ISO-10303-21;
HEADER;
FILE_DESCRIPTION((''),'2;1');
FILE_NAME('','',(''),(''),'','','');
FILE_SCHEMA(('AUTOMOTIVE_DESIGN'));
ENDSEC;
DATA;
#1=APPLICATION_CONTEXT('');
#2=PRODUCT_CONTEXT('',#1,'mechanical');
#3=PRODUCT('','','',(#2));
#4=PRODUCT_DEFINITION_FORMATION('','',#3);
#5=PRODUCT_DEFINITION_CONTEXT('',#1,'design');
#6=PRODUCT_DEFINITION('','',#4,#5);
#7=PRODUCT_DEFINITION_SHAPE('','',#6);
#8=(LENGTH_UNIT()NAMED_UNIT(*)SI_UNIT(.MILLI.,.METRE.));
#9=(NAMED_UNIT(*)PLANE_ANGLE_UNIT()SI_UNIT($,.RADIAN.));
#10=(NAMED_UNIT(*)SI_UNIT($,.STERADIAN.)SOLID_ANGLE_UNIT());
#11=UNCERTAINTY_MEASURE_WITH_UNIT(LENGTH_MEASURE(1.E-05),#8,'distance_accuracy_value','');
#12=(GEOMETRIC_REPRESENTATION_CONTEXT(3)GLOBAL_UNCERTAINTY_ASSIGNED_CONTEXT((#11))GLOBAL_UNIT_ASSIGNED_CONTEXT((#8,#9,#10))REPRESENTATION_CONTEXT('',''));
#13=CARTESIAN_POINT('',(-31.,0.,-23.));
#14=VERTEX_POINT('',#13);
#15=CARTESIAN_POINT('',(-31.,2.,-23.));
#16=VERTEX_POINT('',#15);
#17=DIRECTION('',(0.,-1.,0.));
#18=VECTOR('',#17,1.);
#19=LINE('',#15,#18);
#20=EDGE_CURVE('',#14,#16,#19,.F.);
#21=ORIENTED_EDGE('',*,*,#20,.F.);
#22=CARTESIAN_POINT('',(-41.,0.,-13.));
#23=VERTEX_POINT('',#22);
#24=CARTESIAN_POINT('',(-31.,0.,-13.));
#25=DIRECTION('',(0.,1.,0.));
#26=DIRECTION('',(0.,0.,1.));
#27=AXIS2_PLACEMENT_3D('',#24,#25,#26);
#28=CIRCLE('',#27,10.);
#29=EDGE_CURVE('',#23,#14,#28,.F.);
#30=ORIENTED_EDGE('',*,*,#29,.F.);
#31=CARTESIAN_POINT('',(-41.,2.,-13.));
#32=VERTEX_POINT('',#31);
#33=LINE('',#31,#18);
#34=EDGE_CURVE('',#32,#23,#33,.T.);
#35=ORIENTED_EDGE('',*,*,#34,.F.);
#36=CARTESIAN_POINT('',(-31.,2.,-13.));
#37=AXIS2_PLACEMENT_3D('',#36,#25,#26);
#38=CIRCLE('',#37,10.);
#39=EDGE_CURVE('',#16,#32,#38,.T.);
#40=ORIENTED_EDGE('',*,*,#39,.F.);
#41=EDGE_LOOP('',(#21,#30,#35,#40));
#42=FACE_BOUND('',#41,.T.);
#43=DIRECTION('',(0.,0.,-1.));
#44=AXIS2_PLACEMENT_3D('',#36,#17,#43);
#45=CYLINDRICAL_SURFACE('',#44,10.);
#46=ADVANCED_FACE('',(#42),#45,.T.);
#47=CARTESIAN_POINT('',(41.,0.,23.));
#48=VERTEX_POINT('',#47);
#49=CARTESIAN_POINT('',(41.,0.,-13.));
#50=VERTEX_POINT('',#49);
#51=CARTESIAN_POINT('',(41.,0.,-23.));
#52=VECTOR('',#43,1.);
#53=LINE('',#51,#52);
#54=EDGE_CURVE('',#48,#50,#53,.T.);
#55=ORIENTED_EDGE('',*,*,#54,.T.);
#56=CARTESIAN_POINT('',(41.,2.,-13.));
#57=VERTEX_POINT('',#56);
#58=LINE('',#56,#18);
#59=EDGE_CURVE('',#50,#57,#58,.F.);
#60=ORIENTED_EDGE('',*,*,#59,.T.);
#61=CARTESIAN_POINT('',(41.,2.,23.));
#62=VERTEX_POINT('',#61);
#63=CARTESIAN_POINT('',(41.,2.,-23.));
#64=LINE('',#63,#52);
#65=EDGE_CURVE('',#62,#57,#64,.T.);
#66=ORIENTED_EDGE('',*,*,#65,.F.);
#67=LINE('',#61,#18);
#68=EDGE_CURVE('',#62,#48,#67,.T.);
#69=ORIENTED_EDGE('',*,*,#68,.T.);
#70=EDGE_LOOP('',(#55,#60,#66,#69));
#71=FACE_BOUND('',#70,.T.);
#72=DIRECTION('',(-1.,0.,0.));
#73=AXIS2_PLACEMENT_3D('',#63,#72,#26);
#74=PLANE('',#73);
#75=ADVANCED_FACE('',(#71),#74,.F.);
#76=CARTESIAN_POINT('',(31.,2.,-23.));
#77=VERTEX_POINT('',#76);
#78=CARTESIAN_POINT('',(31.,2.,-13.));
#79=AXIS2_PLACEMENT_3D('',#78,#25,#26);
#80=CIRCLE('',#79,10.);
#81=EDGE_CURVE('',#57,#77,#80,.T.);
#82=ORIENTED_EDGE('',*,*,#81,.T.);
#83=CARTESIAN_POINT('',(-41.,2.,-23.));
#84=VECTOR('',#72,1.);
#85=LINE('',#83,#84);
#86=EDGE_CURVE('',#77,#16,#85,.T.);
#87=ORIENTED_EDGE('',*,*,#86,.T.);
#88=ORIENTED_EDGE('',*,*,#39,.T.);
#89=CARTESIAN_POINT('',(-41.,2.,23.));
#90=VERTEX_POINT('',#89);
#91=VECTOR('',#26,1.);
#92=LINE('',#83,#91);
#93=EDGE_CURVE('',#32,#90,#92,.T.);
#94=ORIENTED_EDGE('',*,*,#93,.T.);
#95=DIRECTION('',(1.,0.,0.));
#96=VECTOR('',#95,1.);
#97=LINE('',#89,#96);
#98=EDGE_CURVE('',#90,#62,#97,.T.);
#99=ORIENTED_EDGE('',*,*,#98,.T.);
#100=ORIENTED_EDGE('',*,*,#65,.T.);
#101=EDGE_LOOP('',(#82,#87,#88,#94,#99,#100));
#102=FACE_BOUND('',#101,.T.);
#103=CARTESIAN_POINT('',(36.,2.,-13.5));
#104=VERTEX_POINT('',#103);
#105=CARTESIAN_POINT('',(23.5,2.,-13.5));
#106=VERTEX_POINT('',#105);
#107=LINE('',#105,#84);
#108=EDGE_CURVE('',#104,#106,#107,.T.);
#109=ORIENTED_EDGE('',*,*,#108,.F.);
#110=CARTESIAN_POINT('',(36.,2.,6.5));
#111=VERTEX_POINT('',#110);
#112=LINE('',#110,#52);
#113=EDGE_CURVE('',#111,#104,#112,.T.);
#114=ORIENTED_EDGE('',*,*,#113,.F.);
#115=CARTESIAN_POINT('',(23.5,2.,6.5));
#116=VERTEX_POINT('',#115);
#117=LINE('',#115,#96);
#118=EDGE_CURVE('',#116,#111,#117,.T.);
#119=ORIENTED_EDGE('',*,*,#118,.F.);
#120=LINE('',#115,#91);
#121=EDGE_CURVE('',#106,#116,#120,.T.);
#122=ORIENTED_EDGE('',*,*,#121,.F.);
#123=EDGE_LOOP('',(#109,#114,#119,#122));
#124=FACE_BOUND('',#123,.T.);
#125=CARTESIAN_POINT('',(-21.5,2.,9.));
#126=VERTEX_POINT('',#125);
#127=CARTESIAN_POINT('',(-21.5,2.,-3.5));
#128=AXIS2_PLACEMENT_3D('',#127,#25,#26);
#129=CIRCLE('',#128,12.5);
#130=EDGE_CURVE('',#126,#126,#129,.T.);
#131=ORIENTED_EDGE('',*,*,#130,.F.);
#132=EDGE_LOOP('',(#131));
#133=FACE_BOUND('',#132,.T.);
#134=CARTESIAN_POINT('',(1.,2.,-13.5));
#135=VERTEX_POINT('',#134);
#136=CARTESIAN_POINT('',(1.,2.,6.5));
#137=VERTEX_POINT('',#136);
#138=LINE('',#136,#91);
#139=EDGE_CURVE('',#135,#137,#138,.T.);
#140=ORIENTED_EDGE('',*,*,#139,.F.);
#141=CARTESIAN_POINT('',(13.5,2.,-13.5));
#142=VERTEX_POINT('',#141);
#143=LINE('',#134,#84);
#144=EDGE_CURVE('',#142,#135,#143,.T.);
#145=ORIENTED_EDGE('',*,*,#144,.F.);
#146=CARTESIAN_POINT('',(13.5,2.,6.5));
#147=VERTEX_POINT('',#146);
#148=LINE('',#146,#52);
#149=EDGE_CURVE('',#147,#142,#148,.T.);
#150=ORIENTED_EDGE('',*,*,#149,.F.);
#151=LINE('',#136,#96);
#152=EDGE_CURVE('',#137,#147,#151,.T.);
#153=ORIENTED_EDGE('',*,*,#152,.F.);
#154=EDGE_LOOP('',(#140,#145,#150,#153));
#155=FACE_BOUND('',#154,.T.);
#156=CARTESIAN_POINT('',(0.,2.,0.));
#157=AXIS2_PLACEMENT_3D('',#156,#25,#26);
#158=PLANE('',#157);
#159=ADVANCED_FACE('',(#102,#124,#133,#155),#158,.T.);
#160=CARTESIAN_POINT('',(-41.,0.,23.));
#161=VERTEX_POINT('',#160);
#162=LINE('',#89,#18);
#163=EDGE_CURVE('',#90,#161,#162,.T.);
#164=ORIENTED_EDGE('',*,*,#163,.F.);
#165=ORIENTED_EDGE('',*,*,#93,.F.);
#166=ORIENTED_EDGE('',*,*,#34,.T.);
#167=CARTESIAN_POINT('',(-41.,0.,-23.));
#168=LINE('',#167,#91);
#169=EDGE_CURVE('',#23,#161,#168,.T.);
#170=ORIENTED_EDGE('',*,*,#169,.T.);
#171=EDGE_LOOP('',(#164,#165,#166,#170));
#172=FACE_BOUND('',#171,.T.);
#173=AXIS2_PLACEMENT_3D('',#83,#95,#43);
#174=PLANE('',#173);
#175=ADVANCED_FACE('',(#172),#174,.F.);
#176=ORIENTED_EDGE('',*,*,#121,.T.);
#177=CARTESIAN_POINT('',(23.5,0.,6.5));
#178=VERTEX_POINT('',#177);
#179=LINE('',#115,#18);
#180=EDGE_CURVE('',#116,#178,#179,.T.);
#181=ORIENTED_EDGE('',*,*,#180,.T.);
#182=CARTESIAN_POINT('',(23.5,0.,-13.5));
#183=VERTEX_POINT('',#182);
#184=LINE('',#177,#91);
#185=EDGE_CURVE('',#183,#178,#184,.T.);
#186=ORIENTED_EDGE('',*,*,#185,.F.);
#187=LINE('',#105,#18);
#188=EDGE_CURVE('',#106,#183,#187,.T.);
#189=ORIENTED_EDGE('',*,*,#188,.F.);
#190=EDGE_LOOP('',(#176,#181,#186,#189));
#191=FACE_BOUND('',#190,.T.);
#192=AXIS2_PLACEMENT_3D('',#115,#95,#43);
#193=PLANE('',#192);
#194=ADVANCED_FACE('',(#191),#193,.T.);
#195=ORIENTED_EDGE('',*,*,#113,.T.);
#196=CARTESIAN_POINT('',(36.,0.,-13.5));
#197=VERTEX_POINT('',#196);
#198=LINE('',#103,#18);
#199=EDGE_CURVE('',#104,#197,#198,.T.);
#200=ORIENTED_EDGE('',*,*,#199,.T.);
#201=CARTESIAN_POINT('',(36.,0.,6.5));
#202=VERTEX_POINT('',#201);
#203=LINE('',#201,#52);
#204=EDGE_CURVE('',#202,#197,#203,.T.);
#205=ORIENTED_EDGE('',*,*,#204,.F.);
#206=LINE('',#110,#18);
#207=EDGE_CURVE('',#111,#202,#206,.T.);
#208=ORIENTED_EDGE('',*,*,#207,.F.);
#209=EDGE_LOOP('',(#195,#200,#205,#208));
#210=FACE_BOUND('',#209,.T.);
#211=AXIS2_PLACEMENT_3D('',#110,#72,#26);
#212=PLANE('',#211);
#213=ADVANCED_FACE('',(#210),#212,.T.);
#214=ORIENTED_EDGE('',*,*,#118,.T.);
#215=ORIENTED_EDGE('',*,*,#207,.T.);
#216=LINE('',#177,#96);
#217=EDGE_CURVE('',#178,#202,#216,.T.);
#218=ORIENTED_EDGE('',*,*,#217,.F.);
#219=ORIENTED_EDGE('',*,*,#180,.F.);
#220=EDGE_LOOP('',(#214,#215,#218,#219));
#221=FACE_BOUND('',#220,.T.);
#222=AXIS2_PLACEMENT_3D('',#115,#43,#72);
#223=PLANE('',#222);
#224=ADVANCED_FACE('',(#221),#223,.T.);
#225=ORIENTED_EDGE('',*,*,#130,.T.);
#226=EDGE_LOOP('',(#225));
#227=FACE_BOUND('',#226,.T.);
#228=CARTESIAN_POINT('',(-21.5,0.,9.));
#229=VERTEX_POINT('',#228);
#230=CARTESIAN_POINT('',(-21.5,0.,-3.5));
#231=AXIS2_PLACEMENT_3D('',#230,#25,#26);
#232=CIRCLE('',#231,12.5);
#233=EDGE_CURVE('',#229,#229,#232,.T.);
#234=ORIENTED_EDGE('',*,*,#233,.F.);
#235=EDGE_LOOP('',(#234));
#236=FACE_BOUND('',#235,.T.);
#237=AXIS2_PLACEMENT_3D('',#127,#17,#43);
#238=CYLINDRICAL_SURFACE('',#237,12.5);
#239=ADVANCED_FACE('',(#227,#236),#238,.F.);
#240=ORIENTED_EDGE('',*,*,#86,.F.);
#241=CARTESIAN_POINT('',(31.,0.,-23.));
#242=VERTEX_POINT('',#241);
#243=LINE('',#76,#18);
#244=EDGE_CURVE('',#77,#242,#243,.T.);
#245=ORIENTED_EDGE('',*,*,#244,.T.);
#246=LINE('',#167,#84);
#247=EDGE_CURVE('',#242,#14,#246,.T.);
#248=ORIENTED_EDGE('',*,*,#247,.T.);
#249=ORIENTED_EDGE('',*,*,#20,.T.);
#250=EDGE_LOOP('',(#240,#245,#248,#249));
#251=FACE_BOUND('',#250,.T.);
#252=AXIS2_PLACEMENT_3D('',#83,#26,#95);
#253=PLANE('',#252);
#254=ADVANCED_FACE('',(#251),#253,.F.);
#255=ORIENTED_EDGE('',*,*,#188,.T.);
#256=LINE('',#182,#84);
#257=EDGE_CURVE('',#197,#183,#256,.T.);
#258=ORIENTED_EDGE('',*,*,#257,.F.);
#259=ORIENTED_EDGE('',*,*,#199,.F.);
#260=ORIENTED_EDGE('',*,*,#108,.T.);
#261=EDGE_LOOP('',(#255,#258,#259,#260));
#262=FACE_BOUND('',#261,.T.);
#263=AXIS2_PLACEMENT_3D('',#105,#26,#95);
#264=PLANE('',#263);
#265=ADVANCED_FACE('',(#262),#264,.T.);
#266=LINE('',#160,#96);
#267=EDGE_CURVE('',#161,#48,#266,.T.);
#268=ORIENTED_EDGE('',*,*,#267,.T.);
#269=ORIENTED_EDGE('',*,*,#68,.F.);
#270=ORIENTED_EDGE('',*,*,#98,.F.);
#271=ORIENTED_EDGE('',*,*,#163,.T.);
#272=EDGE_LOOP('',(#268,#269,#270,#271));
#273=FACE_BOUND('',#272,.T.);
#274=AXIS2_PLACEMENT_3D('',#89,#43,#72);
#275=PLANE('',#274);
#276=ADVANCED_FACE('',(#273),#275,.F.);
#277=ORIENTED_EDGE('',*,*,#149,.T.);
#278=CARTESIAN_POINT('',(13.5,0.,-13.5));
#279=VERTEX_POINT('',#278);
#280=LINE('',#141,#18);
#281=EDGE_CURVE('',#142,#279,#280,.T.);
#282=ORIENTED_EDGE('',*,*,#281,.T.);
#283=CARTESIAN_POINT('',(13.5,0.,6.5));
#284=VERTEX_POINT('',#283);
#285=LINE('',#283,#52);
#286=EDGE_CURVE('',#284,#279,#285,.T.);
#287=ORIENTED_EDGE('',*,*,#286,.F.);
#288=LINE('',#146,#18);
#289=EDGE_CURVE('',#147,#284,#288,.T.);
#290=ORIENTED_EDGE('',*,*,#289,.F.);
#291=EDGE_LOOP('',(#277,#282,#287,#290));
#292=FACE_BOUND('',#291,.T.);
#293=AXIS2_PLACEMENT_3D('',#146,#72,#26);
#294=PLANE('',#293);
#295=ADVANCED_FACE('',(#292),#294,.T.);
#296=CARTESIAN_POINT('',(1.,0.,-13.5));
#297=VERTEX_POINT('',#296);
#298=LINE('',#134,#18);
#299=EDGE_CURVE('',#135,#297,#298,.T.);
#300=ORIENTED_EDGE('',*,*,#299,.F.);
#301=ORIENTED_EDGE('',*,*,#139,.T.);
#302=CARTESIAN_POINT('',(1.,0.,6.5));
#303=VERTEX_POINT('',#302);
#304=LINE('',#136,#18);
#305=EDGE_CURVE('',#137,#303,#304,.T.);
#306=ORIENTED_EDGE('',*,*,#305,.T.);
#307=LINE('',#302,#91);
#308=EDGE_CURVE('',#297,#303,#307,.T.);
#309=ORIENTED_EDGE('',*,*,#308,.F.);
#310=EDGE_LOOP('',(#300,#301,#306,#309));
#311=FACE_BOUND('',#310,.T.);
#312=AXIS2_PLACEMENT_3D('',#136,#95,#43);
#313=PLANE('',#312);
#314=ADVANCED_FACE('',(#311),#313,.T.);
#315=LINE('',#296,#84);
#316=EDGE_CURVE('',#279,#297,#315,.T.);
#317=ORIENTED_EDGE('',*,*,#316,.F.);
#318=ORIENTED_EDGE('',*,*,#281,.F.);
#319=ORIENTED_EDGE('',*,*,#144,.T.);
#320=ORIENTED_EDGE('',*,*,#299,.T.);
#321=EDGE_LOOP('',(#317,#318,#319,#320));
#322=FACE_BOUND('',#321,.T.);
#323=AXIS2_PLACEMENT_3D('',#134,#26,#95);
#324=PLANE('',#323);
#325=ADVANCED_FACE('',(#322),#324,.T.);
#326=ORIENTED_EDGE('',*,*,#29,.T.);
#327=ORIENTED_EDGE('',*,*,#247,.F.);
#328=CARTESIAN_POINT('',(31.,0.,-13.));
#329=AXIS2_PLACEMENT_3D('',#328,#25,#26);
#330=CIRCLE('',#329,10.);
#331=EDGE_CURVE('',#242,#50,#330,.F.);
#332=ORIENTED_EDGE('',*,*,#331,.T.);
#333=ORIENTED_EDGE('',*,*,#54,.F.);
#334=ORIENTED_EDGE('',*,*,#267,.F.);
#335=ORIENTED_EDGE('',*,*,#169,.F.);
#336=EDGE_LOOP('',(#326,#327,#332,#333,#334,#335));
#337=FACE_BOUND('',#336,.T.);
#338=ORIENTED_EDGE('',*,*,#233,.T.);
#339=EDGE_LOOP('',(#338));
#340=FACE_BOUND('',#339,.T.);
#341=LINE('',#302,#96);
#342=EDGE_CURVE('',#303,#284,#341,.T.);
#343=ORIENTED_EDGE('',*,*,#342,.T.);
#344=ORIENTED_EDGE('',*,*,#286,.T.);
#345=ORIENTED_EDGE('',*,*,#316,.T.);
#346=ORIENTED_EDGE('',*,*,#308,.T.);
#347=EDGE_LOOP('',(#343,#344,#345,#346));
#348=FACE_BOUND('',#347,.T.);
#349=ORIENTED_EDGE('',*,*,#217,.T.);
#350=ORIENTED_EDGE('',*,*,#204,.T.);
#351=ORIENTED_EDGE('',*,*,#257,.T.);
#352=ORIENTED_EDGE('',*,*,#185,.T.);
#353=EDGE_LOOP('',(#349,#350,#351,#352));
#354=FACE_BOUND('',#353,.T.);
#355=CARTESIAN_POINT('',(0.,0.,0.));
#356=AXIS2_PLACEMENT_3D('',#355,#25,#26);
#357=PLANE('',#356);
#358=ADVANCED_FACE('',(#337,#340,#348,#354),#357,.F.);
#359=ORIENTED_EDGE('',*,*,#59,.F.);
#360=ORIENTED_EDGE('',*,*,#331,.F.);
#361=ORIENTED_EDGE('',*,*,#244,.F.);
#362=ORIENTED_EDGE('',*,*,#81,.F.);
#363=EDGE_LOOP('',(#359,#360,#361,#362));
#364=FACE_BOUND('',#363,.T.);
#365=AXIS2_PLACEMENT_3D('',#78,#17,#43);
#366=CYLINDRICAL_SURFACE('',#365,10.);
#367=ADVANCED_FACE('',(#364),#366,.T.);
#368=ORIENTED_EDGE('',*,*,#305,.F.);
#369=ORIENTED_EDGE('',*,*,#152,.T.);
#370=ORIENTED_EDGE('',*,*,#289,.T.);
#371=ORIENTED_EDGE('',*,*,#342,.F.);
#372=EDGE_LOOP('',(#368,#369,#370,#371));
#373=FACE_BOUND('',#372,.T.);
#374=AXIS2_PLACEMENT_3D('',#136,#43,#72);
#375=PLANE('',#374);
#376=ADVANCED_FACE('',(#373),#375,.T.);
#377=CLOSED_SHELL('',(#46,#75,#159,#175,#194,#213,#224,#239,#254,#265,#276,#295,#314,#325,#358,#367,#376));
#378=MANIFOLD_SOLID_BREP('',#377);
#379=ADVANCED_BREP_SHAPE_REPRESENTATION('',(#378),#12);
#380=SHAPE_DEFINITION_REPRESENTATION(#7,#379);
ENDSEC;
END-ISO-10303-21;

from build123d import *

# Parameters (mm, degrees)
SKETCH_1_W      = 82
SKETCH_1_H      = 46
SKETCH_1_R      = 12.5
SKETCH_1_W_2    = 12.5
SKETCH_1_H_2    = 20
EXTRUDE_1_DEPTH = 2
FILLET_1_R      = 10


with BuildPart() as part:
    # 草图1 → 凸台-拉伸1 (new body)
    with BuildSketch(Plane(origin=(0, 0, 0), x_dir=(1, 0, 0), z_dir=(0, 1, 0))):
        Rectangle(SKETCH_1_W, SKETCH_1_H)
        with Locations(Location((-21.5, 3.5, 0), (0, 0, 270))):
            Circle(SKETCH_1_R, mode=Mode.SUBTRACT)
        with Locations((7.25, 3.5)):
            Rectangle(SKETCH_1_W_2, SKETCH_1_H_2, mode=Mode.SUBTRACT)
        with Locations((29.75, 3.5)):
            Rectangle(SKETCH_1_W_2, SKETCH_1_H_2, mode=Mode.SUBTRACT)
    extrude(amount=EXTRUDE_1_DEPTH)

    # 圆角1
    fillet_1_edges = [part.edges().sort_by_distance(p)[0] for p in [
        (-41, 1, -23),
        (41, 1, -23),
    ]]
    fillet(fillet_1_edges, radius=FILLET_1_R)


solid = part.part
